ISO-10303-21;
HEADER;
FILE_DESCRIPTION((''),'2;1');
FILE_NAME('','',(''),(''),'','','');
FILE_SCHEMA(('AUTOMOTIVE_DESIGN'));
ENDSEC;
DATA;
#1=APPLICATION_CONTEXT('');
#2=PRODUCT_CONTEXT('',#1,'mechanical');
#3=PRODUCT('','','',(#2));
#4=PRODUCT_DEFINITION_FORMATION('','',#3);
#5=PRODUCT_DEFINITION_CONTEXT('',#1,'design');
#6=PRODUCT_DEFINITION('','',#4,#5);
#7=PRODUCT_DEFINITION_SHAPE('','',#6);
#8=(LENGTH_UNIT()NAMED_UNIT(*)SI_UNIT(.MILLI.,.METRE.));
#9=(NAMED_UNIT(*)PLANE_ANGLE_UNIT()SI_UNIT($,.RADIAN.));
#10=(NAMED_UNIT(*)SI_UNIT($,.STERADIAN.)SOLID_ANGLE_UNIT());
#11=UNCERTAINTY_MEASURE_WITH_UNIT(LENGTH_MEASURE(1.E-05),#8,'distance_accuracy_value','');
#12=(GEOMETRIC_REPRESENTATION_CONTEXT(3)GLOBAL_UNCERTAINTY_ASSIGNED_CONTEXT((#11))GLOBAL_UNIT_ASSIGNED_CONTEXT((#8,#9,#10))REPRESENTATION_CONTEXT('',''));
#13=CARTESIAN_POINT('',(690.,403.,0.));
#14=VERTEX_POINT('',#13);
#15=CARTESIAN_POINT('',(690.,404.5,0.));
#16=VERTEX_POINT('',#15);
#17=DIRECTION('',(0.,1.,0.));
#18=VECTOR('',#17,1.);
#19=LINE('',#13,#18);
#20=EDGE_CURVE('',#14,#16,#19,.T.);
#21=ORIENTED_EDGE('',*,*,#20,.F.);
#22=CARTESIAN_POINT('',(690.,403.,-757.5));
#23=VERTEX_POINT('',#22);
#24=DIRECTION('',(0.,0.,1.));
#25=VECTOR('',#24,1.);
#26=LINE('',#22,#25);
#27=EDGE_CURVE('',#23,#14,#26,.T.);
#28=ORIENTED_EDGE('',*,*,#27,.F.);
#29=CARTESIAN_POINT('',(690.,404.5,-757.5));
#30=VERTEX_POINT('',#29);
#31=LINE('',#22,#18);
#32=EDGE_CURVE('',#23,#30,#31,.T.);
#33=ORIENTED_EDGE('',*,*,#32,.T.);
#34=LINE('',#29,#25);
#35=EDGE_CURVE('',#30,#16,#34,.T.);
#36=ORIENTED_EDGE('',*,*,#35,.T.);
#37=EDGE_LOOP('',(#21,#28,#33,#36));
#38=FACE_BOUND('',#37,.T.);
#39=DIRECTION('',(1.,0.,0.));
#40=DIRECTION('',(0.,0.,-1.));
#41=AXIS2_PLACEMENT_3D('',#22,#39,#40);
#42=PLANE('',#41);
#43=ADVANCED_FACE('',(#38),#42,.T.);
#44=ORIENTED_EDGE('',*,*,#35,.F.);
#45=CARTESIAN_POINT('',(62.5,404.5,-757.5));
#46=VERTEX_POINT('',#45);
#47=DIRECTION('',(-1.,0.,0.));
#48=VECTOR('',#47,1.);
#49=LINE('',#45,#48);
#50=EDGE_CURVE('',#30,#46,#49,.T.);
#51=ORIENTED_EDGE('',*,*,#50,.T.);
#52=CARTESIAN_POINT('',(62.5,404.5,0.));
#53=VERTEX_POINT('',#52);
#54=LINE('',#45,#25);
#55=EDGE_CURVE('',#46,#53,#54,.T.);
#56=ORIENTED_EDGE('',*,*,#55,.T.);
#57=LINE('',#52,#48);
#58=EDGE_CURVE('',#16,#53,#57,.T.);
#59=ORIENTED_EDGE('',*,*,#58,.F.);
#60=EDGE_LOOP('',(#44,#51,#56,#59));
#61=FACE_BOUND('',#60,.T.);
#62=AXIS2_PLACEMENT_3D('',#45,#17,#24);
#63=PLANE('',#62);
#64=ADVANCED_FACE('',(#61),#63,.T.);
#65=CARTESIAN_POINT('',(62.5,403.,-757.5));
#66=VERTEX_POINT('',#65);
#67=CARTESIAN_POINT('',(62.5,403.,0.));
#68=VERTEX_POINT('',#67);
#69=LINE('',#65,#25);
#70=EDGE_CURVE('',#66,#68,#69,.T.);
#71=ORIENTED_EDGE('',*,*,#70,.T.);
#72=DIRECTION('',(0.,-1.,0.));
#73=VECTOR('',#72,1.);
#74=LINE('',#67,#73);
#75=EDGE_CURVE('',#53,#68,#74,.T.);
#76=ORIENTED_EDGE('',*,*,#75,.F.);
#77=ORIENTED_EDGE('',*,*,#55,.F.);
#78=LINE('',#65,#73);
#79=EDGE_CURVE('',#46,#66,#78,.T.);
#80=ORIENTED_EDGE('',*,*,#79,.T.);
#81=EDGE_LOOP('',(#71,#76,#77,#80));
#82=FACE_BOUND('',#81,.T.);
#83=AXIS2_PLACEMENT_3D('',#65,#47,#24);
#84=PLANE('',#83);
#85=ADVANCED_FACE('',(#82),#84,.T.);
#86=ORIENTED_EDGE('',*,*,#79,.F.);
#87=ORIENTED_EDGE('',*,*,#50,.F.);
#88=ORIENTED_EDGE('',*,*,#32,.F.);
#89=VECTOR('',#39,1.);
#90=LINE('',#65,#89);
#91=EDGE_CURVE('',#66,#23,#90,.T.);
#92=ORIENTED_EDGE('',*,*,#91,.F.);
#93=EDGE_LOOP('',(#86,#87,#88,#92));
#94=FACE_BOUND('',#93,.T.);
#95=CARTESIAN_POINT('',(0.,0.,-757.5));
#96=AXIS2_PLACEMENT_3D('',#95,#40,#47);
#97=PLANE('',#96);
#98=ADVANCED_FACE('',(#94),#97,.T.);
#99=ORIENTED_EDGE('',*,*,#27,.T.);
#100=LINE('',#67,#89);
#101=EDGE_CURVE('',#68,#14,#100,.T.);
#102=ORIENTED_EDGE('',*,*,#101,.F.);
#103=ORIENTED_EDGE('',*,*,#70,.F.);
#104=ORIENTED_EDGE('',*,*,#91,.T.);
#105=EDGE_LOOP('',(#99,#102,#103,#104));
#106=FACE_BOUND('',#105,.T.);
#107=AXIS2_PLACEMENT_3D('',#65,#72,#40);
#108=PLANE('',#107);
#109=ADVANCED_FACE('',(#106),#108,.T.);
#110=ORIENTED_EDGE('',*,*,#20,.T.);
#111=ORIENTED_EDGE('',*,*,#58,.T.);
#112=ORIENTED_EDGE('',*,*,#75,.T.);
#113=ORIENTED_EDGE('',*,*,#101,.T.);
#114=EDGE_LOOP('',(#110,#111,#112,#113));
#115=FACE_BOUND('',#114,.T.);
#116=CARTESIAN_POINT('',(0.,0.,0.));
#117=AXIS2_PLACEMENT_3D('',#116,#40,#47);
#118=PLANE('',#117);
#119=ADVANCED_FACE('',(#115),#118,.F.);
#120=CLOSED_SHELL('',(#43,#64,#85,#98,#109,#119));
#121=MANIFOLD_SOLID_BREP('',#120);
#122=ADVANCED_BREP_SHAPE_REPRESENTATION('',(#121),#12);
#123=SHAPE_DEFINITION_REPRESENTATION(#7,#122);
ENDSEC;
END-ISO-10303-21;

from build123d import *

# Parameters (mm, degrees)
SKETCH1_W                          = 627.5
SKETCH1_H                          = 1.5
STORE_KLAPE_KASET_KATI_RAF_1_DEPTH = 757.5


with BuildPart() as part:
    # Sketch1 → STORE_klape_kaset_kati_raf_1 (new body)
    with BuildSketch(Plane.XY):
        with Locations((376.25, 403.75)):
            Rectangle(SKETCH1_W, SKETCH1_H)
    extrude(amount=-STORE_KLAPE_KASET_KATI_RAF_1_DEPTH)


solid = part.part
